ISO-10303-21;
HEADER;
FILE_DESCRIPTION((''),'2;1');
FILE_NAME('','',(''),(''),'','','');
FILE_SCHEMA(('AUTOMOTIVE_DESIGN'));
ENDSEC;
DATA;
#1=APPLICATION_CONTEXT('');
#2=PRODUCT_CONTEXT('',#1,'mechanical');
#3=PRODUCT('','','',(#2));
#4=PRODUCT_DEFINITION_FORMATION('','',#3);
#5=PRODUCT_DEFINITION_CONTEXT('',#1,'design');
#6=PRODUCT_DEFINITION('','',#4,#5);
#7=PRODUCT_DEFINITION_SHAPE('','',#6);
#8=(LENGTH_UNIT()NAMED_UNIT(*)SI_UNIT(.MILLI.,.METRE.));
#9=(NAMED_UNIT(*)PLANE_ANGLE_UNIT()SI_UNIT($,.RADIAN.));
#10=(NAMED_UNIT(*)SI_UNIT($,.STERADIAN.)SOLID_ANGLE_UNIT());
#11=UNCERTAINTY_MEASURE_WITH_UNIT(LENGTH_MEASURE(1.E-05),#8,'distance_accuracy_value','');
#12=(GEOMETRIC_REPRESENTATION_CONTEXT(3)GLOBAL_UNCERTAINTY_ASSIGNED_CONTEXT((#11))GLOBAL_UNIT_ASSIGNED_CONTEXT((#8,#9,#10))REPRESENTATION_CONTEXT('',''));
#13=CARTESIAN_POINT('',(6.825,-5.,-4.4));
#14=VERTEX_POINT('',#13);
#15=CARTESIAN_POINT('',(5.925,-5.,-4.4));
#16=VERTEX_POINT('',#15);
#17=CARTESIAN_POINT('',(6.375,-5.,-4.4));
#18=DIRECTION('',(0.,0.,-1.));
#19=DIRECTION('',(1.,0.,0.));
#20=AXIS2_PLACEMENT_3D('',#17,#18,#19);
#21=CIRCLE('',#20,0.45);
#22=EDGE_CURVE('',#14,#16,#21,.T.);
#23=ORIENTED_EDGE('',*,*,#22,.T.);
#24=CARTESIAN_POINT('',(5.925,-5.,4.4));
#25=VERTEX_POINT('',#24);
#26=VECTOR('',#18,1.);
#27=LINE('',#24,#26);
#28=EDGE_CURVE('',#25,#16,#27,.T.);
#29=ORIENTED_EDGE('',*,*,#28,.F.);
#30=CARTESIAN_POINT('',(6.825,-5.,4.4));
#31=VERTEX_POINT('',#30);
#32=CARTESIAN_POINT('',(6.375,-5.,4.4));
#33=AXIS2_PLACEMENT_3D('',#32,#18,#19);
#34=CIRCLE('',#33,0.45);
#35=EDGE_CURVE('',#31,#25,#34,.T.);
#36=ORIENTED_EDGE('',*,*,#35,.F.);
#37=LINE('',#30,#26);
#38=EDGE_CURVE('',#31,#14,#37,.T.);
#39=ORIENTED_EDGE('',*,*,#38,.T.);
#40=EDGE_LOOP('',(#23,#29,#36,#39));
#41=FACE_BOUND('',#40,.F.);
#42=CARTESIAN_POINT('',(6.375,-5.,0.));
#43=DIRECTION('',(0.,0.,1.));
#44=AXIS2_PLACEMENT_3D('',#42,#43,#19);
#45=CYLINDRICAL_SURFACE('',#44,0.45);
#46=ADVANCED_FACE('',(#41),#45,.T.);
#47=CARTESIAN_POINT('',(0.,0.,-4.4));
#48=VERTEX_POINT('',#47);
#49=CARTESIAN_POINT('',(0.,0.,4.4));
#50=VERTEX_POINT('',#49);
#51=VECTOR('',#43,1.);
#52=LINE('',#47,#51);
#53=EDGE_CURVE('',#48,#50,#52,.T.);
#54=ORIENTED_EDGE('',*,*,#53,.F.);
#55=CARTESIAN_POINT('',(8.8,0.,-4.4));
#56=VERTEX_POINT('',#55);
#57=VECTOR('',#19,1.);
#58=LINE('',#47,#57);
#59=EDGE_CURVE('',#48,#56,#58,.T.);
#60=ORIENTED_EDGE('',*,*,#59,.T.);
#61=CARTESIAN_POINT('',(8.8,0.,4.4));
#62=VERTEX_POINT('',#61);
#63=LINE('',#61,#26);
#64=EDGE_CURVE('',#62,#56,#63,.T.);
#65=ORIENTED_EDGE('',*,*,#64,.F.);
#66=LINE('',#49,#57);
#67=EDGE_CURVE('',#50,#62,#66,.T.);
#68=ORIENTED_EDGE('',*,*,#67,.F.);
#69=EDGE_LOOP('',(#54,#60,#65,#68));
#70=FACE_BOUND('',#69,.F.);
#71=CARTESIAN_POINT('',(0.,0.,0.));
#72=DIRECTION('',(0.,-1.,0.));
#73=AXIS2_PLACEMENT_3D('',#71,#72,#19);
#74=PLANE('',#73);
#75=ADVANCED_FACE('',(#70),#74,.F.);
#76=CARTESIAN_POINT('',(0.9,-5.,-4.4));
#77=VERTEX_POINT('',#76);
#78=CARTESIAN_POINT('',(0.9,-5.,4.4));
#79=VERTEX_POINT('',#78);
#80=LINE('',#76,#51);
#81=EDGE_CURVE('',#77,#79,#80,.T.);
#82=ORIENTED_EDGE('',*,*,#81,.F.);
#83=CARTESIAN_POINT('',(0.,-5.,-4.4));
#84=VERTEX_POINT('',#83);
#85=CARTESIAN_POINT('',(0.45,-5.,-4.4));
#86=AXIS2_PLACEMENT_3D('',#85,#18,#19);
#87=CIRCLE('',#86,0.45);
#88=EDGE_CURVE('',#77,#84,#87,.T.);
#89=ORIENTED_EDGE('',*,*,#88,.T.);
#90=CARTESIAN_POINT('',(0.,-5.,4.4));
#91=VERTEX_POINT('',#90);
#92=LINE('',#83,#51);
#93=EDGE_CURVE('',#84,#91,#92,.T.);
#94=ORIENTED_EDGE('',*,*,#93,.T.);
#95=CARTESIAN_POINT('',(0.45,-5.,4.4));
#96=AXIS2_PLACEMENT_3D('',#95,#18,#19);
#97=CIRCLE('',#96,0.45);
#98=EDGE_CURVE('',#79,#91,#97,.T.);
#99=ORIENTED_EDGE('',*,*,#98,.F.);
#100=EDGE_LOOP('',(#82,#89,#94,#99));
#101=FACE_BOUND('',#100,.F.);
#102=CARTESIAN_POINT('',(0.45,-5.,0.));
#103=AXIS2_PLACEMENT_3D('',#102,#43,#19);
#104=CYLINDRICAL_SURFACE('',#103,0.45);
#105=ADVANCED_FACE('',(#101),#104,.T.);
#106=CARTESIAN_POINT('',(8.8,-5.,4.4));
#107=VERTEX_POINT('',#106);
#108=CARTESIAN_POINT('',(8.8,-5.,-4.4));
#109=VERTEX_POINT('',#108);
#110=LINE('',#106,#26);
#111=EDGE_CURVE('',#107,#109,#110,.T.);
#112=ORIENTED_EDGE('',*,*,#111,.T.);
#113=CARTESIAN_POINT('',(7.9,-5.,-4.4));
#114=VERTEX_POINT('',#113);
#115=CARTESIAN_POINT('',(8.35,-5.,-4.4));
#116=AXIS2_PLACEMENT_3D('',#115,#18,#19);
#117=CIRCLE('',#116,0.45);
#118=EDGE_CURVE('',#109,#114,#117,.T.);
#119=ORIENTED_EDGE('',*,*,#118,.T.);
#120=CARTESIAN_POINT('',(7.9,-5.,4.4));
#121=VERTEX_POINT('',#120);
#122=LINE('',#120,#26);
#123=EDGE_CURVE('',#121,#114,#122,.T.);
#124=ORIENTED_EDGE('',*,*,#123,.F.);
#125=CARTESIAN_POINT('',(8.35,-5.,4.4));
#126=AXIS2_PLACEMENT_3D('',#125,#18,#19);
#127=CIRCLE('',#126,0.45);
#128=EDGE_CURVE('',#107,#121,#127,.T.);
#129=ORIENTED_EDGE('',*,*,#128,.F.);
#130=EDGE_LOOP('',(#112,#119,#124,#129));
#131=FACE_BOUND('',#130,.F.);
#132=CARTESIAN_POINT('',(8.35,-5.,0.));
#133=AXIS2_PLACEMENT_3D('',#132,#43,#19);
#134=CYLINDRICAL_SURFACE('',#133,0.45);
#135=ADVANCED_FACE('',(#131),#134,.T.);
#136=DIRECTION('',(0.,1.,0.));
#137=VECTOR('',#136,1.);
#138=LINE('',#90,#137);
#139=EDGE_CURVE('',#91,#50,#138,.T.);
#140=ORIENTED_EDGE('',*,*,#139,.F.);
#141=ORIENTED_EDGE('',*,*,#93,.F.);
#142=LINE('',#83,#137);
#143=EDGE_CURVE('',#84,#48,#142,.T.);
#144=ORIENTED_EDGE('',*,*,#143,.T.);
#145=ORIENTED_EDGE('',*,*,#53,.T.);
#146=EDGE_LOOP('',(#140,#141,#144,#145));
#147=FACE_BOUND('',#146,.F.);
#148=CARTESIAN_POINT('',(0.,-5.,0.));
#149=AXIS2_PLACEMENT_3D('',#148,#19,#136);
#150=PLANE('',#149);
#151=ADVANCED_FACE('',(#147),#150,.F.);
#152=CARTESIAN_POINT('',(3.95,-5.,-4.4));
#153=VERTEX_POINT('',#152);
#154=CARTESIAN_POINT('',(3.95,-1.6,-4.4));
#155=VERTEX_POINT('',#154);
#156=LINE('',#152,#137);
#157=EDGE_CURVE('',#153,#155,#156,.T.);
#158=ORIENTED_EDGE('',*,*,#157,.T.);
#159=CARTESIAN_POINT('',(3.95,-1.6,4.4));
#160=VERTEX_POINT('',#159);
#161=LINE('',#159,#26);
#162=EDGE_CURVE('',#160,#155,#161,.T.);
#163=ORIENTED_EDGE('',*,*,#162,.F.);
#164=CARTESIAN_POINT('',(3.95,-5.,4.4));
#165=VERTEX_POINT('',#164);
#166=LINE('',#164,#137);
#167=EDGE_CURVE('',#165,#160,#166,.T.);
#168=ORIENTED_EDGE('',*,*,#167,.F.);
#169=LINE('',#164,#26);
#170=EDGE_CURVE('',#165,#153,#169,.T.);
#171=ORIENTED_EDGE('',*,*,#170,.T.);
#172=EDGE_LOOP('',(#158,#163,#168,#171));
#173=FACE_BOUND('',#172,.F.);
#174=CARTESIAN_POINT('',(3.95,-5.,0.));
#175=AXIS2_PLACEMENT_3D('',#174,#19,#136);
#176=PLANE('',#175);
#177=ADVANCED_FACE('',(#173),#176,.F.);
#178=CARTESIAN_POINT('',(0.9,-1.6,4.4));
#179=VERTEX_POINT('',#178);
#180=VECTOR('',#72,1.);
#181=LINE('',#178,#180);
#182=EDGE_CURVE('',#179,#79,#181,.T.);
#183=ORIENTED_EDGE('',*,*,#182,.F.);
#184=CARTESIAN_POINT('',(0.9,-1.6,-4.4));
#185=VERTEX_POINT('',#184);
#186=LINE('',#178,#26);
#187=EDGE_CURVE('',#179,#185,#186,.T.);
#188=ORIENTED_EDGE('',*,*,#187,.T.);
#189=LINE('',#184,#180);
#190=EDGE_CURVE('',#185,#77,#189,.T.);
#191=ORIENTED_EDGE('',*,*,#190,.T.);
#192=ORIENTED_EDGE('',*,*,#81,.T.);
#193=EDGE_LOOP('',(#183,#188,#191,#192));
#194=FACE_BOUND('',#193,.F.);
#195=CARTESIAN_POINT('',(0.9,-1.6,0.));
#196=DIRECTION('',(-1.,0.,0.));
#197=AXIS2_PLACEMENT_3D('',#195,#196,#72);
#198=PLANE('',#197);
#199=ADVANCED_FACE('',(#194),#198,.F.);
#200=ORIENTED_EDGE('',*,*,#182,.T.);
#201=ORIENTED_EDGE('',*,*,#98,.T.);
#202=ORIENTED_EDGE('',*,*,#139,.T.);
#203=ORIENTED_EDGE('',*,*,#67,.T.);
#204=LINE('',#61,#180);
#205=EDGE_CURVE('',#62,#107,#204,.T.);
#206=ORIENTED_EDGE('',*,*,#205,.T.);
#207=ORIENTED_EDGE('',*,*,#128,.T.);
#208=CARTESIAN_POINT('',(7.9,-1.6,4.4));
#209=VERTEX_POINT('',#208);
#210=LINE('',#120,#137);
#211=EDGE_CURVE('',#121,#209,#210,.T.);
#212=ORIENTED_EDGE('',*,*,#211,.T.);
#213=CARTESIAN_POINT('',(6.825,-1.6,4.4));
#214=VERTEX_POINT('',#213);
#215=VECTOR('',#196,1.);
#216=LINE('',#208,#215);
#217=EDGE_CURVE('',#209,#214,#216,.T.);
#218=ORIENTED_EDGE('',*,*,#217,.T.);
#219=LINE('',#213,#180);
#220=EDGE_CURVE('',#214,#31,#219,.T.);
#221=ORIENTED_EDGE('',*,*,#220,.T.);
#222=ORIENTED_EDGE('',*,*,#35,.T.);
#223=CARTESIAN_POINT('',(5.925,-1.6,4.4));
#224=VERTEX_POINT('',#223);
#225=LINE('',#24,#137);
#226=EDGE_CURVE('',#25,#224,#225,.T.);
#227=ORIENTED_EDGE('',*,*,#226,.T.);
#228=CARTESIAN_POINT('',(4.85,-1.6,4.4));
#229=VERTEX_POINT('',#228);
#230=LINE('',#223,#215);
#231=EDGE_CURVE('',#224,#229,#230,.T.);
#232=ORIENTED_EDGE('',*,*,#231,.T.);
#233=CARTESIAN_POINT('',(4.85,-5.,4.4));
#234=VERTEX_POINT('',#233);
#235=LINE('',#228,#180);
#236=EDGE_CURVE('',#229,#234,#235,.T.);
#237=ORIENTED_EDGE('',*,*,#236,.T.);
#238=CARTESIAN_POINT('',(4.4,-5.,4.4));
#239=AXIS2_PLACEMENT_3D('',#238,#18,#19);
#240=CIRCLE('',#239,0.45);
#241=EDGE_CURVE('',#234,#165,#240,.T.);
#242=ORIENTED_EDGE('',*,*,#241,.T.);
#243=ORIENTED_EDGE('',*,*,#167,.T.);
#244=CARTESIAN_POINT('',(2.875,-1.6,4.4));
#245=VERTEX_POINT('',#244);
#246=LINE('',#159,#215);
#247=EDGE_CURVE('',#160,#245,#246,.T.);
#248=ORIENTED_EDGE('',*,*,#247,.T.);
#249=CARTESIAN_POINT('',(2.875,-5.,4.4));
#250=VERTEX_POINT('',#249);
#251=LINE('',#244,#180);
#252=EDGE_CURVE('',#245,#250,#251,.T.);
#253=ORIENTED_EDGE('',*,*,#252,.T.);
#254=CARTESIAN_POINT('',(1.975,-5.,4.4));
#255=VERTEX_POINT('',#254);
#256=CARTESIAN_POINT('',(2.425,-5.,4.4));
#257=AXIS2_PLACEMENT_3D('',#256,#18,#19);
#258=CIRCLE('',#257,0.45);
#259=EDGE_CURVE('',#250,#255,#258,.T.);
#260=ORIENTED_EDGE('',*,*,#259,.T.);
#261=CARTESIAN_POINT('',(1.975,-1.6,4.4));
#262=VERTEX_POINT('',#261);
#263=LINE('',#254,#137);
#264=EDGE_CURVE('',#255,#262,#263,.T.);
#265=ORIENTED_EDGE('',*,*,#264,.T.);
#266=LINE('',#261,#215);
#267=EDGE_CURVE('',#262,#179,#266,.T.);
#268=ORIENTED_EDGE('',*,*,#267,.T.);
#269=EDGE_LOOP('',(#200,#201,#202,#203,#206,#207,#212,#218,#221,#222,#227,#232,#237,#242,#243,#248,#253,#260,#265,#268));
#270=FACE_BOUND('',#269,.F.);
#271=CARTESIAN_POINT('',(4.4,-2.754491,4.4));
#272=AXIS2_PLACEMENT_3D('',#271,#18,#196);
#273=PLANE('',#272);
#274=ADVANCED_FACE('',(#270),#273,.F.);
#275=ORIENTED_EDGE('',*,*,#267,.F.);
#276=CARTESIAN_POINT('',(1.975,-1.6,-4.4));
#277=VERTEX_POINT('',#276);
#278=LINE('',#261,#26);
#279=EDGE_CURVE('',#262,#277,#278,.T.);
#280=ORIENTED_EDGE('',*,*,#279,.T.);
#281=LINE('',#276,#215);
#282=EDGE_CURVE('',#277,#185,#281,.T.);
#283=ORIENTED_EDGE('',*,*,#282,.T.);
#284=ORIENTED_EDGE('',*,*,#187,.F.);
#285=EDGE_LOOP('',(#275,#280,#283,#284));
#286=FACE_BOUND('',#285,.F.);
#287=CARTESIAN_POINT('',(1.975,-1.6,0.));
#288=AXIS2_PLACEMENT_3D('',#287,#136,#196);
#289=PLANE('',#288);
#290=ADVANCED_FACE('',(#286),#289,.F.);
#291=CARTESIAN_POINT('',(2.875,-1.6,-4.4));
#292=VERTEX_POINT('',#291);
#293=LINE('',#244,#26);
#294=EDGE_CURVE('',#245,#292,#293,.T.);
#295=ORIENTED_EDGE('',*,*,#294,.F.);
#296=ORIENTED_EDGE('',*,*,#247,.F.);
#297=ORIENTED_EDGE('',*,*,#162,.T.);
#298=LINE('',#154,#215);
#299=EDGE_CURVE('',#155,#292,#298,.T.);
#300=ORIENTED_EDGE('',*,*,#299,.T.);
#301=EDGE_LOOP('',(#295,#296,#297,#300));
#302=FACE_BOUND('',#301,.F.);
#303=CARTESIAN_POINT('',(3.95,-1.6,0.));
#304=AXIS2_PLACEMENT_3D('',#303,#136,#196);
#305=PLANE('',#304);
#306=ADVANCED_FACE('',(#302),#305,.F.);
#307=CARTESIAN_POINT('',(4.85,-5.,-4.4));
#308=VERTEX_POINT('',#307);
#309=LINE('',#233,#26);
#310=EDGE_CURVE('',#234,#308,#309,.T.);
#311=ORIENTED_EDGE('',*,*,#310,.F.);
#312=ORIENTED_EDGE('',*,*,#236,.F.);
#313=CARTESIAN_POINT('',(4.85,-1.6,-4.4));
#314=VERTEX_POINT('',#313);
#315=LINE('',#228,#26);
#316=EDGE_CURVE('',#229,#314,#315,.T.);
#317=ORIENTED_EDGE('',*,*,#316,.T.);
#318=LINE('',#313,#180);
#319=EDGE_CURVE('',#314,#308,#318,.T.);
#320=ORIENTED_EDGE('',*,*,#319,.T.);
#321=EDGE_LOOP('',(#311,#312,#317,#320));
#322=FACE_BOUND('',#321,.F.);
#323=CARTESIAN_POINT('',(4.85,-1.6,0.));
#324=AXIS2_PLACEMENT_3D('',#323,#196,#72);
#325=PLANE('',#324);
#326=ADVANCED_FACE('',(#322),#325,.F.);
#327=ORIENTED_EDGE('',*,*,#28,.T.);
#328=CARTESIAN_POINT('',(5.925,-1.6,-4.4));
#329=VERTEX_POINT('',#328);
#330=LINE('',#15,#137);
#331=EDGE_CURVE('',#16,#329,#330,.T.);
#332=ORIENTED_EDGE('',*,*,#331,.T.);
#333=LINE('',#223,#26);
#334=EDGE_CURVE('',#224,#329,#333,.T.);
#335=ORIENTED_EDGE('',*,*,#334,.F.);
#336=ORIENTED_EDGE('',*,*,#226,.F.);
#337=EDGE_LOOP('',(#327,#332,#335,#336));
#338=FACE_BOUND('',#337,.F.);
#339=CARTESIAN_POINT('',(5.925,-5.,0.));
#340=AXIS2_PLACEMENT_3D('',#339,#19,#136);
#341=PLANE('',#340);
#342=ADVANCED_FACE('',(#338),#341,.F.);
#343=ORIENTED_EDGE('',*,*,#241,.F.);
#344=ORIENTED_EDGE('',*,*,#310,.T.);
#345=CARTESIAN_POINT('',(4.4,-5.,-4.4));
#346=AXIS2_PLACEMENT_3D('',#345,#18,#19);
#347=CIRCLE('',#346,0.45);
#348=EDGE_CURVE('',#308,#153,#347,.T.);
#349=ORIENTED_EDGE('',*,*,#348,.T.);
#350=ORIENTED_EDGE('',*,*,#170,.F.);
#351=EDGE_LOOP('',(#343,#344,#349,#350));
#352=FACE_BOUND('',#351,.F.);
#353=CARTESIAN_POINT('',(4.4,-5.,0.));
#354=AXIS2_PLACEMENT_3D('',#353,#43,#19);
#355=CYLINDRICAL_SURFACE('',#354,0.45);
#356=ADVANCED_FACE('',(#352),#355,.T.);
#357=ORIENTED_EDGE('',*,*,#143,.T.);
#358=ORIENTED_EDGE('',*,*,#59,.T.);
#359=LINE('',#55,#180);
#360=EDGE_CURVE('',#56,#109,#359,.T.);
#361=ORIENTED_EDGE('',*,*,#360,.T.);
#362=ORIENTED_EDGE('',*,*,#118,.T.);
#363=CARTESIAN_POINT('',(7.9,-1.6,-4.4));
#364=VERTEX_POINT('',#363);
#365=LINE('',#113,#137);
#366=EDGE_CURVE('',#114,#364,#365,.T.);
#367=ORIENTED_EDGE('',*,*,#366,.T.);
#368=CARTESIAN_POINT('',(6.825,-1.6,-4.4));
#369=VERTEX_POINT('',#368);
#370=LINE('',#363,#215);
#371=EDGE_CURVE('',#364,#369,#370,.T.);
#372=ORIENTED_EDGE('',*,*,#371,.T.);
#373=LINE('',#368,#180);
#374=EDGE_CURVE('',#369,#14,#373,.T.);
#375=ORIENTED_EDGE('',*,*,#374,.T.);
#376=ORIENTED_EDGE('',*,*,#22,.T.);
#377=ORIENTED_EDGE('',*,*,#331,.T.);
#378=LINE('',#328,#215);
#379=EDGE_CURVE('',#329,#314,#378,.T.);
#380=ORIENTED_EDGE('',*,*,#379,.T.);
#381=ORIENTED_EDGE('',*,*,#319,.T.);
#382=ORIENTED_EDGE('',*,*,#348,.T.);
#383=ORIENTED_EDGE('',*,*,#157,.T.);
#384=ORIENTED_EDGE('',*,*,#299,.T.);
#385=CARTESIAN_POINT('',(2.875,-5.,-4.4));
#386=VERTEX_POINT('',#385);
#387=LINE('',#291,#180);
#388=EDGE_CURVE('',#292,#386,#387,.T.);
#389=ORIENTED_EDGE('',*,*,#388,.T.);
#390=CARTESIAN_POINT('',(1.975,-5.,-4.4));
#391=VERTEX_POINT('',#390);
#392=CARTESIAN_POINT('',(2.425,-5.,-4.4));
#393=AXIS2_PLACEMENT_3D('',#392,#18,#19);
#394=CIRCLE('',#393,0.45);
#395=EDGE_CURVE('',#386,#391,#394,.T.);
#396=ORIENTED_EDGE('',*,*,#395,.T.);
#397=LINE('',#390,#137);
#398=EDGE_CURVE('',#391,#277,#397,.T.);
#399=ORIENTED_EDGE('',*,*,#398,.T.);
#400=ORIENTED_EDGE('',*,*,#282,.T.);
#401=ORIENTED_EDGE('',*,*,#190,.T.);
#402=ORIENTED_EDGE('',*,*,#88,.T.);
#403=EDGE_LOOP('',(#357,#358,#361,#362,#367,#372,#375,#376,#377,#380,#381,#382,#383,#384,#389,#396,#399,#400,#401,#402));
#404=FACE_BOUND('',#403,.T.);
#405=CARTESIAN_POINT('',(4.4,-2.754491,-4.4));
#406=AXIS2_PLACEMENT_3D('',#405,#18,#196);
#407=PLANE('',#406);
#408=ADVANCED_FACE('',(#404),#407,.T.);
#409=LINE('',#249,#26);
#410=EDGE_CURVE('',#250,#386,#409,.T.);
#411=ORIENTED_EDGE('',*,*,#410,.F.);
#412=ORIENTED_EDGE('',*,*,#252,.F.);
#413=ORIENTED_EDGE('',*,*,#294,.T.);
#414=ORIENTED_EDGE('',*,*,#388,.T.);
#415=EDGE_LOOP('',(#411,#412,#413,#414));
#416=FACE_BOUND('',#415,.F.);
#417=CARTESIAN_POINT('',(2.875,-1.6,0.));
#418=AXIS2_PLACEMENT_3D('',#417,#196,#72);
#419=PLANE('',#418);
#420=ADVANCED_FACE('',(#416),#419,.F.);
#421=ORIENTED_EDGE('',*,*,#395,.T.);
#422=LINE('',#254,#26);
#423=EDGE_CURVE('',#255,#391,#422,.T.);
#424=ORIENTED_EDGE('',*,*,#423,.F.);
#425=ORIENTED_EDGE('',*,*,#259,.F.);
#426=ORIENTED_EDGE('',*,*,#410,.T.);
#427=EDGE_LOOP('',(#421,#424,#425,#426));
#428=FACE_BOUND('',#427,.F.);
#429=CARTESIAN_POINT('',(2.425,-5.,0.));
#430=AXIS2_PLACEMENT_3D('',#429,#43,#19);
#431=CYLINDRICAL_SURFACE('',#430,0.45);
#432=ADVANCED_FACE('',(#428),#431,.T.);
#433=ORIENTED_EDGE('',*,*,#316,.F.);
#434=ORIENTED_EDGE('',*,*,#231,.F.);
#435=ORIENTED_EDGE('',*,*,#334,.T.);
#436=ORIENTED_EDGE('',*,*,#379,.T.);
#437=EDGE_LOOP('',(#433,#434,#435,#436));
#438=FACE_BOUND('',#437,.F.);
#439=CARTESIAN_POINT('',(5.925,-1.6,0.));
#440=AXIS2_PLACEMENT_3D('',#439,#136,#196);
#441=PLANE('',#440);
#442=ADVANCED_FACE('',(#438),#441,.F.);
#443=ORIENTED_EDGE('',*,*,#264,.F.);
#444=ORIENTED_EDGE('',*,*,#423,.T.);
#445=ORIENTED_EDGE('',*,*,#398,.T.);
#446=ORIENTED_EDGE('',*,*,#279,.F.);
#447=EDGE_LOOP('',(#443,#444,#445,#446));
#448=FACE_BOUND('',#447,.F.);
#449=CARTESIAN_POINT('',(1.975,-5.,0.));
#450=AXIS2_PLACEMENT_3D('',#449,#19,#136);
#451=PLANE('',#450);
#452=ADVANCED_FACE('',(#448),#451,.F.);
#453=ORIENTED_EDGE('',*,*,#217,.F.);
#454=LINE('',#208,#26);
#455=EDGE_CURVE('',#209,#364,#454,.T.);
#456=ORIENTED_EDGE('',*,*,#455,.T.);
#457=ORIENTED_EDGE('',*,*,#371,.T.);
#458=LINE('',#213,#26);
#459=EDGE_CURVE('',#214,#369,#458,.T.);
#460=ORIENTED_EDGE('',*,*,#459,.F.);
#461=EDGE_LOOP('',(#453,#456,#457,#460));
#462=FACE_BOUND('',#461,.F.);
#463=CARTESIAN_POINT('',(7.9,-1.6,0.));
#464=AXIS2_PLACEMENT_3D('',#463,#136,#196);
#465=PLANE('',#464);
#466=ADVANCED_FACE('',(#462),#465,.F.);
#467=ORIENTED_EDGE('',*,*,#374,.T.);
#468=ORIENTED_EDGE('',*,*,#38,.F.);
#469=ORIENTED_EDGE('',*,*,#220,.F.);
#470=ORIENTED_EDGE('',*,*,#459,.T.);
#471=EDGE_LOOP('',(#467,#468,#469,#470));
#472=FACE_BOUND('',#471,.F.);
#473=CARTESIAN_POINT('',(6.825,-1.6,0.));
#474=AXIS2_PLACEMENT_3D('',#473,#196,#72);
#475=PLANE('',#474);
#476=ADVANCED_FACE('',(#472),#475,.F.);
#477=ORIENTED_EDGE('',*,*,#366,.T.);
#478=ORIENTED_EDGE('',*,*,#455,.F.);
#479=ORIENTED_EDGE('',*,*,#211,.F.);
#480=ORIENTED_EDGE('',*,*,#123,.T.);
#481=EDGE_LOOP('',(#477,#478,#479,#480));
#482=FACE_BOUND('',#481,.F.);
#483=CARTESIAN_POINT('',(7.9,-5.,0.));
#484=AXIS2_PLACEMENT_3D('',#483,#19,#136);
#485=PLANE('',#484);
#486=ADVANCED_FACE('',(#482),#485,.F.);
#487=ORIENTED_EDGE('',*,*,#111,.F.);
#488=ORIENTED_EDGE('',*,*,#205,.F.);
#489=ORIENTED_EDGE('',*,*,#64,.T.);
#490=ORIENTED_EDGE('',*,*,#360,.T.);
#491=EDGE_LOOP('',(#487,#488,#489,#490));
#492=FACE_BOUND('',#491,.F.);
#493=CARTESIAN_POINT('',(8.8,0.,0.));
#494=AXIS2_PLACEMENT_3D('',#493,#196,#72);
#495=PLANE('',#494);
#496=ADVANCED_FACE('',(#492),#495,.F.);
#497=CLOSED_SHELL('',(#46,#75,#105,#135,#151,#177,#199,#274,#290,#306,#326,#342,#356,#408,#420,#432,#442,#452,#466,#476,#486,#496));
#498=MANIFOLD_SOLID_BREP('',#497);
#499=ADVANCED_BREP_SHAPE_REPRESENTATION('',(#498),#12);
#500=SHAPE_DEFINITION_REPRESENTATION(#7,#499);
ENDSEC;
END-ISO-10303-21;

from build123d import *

# Parameters (mm, degrees)
RESSALTO_EXTRUS_O1_DEPTH = 4.4


with BuildPart() as part:
    # Esboço1 → Ressalto-extrusão1 (new body, symmetric)
    with BuildSketch(Plane.XY):
        with BuildLine():
            Line((0, 0), (8.8, 0))
            Line((8.8, 0), (8.8, -5))
            ThreePointArc((8.8, -5), (8.35, -5.45), (7.9, -5))
            Line((7.9, -5), (7.9, -1.6))
            Line((7.9, -1.6), (6.825, -1.6))
            Line((6.825, -1.6), (6.825, -5))
            ThreePointArc((6.825, -5), (6.375, -5.45), (5.925, -5))
            Line((5.925, -5), (5.925, -1.6))
            Line((5.925, -1.6), (4.85, -1.6))
            Line((4.85, -1.6), (4.85, -5))
            ThreePointArc((4.85, -5), (4.4, -5.45), (3.95, -5))
            Line((3.95, -5), (3.95, -1.6))
            Line((3.95, -1.6), (2.875, -1.6))
            Line((2.875, -1.6), (2.875, -5))
            ThreePointArc((2.875, -5), (2.425, -5.45), (1.975, -5))
            Line((1.975, -5), (1.975, -1.6))
            Line((1.975, -1.6), (0.9, -1.6))
            Line((0.9, -1.6), (0.9, -5))
            ThreePointArc((0.9, -5), (0.45, -5.45), (0, -5))
            Line((0, -5), (0, 0))
        make_face()
    extrude(amount=RESSALTO_EXTRUS_O1_DEPTH, both=True)


solid = part.part
